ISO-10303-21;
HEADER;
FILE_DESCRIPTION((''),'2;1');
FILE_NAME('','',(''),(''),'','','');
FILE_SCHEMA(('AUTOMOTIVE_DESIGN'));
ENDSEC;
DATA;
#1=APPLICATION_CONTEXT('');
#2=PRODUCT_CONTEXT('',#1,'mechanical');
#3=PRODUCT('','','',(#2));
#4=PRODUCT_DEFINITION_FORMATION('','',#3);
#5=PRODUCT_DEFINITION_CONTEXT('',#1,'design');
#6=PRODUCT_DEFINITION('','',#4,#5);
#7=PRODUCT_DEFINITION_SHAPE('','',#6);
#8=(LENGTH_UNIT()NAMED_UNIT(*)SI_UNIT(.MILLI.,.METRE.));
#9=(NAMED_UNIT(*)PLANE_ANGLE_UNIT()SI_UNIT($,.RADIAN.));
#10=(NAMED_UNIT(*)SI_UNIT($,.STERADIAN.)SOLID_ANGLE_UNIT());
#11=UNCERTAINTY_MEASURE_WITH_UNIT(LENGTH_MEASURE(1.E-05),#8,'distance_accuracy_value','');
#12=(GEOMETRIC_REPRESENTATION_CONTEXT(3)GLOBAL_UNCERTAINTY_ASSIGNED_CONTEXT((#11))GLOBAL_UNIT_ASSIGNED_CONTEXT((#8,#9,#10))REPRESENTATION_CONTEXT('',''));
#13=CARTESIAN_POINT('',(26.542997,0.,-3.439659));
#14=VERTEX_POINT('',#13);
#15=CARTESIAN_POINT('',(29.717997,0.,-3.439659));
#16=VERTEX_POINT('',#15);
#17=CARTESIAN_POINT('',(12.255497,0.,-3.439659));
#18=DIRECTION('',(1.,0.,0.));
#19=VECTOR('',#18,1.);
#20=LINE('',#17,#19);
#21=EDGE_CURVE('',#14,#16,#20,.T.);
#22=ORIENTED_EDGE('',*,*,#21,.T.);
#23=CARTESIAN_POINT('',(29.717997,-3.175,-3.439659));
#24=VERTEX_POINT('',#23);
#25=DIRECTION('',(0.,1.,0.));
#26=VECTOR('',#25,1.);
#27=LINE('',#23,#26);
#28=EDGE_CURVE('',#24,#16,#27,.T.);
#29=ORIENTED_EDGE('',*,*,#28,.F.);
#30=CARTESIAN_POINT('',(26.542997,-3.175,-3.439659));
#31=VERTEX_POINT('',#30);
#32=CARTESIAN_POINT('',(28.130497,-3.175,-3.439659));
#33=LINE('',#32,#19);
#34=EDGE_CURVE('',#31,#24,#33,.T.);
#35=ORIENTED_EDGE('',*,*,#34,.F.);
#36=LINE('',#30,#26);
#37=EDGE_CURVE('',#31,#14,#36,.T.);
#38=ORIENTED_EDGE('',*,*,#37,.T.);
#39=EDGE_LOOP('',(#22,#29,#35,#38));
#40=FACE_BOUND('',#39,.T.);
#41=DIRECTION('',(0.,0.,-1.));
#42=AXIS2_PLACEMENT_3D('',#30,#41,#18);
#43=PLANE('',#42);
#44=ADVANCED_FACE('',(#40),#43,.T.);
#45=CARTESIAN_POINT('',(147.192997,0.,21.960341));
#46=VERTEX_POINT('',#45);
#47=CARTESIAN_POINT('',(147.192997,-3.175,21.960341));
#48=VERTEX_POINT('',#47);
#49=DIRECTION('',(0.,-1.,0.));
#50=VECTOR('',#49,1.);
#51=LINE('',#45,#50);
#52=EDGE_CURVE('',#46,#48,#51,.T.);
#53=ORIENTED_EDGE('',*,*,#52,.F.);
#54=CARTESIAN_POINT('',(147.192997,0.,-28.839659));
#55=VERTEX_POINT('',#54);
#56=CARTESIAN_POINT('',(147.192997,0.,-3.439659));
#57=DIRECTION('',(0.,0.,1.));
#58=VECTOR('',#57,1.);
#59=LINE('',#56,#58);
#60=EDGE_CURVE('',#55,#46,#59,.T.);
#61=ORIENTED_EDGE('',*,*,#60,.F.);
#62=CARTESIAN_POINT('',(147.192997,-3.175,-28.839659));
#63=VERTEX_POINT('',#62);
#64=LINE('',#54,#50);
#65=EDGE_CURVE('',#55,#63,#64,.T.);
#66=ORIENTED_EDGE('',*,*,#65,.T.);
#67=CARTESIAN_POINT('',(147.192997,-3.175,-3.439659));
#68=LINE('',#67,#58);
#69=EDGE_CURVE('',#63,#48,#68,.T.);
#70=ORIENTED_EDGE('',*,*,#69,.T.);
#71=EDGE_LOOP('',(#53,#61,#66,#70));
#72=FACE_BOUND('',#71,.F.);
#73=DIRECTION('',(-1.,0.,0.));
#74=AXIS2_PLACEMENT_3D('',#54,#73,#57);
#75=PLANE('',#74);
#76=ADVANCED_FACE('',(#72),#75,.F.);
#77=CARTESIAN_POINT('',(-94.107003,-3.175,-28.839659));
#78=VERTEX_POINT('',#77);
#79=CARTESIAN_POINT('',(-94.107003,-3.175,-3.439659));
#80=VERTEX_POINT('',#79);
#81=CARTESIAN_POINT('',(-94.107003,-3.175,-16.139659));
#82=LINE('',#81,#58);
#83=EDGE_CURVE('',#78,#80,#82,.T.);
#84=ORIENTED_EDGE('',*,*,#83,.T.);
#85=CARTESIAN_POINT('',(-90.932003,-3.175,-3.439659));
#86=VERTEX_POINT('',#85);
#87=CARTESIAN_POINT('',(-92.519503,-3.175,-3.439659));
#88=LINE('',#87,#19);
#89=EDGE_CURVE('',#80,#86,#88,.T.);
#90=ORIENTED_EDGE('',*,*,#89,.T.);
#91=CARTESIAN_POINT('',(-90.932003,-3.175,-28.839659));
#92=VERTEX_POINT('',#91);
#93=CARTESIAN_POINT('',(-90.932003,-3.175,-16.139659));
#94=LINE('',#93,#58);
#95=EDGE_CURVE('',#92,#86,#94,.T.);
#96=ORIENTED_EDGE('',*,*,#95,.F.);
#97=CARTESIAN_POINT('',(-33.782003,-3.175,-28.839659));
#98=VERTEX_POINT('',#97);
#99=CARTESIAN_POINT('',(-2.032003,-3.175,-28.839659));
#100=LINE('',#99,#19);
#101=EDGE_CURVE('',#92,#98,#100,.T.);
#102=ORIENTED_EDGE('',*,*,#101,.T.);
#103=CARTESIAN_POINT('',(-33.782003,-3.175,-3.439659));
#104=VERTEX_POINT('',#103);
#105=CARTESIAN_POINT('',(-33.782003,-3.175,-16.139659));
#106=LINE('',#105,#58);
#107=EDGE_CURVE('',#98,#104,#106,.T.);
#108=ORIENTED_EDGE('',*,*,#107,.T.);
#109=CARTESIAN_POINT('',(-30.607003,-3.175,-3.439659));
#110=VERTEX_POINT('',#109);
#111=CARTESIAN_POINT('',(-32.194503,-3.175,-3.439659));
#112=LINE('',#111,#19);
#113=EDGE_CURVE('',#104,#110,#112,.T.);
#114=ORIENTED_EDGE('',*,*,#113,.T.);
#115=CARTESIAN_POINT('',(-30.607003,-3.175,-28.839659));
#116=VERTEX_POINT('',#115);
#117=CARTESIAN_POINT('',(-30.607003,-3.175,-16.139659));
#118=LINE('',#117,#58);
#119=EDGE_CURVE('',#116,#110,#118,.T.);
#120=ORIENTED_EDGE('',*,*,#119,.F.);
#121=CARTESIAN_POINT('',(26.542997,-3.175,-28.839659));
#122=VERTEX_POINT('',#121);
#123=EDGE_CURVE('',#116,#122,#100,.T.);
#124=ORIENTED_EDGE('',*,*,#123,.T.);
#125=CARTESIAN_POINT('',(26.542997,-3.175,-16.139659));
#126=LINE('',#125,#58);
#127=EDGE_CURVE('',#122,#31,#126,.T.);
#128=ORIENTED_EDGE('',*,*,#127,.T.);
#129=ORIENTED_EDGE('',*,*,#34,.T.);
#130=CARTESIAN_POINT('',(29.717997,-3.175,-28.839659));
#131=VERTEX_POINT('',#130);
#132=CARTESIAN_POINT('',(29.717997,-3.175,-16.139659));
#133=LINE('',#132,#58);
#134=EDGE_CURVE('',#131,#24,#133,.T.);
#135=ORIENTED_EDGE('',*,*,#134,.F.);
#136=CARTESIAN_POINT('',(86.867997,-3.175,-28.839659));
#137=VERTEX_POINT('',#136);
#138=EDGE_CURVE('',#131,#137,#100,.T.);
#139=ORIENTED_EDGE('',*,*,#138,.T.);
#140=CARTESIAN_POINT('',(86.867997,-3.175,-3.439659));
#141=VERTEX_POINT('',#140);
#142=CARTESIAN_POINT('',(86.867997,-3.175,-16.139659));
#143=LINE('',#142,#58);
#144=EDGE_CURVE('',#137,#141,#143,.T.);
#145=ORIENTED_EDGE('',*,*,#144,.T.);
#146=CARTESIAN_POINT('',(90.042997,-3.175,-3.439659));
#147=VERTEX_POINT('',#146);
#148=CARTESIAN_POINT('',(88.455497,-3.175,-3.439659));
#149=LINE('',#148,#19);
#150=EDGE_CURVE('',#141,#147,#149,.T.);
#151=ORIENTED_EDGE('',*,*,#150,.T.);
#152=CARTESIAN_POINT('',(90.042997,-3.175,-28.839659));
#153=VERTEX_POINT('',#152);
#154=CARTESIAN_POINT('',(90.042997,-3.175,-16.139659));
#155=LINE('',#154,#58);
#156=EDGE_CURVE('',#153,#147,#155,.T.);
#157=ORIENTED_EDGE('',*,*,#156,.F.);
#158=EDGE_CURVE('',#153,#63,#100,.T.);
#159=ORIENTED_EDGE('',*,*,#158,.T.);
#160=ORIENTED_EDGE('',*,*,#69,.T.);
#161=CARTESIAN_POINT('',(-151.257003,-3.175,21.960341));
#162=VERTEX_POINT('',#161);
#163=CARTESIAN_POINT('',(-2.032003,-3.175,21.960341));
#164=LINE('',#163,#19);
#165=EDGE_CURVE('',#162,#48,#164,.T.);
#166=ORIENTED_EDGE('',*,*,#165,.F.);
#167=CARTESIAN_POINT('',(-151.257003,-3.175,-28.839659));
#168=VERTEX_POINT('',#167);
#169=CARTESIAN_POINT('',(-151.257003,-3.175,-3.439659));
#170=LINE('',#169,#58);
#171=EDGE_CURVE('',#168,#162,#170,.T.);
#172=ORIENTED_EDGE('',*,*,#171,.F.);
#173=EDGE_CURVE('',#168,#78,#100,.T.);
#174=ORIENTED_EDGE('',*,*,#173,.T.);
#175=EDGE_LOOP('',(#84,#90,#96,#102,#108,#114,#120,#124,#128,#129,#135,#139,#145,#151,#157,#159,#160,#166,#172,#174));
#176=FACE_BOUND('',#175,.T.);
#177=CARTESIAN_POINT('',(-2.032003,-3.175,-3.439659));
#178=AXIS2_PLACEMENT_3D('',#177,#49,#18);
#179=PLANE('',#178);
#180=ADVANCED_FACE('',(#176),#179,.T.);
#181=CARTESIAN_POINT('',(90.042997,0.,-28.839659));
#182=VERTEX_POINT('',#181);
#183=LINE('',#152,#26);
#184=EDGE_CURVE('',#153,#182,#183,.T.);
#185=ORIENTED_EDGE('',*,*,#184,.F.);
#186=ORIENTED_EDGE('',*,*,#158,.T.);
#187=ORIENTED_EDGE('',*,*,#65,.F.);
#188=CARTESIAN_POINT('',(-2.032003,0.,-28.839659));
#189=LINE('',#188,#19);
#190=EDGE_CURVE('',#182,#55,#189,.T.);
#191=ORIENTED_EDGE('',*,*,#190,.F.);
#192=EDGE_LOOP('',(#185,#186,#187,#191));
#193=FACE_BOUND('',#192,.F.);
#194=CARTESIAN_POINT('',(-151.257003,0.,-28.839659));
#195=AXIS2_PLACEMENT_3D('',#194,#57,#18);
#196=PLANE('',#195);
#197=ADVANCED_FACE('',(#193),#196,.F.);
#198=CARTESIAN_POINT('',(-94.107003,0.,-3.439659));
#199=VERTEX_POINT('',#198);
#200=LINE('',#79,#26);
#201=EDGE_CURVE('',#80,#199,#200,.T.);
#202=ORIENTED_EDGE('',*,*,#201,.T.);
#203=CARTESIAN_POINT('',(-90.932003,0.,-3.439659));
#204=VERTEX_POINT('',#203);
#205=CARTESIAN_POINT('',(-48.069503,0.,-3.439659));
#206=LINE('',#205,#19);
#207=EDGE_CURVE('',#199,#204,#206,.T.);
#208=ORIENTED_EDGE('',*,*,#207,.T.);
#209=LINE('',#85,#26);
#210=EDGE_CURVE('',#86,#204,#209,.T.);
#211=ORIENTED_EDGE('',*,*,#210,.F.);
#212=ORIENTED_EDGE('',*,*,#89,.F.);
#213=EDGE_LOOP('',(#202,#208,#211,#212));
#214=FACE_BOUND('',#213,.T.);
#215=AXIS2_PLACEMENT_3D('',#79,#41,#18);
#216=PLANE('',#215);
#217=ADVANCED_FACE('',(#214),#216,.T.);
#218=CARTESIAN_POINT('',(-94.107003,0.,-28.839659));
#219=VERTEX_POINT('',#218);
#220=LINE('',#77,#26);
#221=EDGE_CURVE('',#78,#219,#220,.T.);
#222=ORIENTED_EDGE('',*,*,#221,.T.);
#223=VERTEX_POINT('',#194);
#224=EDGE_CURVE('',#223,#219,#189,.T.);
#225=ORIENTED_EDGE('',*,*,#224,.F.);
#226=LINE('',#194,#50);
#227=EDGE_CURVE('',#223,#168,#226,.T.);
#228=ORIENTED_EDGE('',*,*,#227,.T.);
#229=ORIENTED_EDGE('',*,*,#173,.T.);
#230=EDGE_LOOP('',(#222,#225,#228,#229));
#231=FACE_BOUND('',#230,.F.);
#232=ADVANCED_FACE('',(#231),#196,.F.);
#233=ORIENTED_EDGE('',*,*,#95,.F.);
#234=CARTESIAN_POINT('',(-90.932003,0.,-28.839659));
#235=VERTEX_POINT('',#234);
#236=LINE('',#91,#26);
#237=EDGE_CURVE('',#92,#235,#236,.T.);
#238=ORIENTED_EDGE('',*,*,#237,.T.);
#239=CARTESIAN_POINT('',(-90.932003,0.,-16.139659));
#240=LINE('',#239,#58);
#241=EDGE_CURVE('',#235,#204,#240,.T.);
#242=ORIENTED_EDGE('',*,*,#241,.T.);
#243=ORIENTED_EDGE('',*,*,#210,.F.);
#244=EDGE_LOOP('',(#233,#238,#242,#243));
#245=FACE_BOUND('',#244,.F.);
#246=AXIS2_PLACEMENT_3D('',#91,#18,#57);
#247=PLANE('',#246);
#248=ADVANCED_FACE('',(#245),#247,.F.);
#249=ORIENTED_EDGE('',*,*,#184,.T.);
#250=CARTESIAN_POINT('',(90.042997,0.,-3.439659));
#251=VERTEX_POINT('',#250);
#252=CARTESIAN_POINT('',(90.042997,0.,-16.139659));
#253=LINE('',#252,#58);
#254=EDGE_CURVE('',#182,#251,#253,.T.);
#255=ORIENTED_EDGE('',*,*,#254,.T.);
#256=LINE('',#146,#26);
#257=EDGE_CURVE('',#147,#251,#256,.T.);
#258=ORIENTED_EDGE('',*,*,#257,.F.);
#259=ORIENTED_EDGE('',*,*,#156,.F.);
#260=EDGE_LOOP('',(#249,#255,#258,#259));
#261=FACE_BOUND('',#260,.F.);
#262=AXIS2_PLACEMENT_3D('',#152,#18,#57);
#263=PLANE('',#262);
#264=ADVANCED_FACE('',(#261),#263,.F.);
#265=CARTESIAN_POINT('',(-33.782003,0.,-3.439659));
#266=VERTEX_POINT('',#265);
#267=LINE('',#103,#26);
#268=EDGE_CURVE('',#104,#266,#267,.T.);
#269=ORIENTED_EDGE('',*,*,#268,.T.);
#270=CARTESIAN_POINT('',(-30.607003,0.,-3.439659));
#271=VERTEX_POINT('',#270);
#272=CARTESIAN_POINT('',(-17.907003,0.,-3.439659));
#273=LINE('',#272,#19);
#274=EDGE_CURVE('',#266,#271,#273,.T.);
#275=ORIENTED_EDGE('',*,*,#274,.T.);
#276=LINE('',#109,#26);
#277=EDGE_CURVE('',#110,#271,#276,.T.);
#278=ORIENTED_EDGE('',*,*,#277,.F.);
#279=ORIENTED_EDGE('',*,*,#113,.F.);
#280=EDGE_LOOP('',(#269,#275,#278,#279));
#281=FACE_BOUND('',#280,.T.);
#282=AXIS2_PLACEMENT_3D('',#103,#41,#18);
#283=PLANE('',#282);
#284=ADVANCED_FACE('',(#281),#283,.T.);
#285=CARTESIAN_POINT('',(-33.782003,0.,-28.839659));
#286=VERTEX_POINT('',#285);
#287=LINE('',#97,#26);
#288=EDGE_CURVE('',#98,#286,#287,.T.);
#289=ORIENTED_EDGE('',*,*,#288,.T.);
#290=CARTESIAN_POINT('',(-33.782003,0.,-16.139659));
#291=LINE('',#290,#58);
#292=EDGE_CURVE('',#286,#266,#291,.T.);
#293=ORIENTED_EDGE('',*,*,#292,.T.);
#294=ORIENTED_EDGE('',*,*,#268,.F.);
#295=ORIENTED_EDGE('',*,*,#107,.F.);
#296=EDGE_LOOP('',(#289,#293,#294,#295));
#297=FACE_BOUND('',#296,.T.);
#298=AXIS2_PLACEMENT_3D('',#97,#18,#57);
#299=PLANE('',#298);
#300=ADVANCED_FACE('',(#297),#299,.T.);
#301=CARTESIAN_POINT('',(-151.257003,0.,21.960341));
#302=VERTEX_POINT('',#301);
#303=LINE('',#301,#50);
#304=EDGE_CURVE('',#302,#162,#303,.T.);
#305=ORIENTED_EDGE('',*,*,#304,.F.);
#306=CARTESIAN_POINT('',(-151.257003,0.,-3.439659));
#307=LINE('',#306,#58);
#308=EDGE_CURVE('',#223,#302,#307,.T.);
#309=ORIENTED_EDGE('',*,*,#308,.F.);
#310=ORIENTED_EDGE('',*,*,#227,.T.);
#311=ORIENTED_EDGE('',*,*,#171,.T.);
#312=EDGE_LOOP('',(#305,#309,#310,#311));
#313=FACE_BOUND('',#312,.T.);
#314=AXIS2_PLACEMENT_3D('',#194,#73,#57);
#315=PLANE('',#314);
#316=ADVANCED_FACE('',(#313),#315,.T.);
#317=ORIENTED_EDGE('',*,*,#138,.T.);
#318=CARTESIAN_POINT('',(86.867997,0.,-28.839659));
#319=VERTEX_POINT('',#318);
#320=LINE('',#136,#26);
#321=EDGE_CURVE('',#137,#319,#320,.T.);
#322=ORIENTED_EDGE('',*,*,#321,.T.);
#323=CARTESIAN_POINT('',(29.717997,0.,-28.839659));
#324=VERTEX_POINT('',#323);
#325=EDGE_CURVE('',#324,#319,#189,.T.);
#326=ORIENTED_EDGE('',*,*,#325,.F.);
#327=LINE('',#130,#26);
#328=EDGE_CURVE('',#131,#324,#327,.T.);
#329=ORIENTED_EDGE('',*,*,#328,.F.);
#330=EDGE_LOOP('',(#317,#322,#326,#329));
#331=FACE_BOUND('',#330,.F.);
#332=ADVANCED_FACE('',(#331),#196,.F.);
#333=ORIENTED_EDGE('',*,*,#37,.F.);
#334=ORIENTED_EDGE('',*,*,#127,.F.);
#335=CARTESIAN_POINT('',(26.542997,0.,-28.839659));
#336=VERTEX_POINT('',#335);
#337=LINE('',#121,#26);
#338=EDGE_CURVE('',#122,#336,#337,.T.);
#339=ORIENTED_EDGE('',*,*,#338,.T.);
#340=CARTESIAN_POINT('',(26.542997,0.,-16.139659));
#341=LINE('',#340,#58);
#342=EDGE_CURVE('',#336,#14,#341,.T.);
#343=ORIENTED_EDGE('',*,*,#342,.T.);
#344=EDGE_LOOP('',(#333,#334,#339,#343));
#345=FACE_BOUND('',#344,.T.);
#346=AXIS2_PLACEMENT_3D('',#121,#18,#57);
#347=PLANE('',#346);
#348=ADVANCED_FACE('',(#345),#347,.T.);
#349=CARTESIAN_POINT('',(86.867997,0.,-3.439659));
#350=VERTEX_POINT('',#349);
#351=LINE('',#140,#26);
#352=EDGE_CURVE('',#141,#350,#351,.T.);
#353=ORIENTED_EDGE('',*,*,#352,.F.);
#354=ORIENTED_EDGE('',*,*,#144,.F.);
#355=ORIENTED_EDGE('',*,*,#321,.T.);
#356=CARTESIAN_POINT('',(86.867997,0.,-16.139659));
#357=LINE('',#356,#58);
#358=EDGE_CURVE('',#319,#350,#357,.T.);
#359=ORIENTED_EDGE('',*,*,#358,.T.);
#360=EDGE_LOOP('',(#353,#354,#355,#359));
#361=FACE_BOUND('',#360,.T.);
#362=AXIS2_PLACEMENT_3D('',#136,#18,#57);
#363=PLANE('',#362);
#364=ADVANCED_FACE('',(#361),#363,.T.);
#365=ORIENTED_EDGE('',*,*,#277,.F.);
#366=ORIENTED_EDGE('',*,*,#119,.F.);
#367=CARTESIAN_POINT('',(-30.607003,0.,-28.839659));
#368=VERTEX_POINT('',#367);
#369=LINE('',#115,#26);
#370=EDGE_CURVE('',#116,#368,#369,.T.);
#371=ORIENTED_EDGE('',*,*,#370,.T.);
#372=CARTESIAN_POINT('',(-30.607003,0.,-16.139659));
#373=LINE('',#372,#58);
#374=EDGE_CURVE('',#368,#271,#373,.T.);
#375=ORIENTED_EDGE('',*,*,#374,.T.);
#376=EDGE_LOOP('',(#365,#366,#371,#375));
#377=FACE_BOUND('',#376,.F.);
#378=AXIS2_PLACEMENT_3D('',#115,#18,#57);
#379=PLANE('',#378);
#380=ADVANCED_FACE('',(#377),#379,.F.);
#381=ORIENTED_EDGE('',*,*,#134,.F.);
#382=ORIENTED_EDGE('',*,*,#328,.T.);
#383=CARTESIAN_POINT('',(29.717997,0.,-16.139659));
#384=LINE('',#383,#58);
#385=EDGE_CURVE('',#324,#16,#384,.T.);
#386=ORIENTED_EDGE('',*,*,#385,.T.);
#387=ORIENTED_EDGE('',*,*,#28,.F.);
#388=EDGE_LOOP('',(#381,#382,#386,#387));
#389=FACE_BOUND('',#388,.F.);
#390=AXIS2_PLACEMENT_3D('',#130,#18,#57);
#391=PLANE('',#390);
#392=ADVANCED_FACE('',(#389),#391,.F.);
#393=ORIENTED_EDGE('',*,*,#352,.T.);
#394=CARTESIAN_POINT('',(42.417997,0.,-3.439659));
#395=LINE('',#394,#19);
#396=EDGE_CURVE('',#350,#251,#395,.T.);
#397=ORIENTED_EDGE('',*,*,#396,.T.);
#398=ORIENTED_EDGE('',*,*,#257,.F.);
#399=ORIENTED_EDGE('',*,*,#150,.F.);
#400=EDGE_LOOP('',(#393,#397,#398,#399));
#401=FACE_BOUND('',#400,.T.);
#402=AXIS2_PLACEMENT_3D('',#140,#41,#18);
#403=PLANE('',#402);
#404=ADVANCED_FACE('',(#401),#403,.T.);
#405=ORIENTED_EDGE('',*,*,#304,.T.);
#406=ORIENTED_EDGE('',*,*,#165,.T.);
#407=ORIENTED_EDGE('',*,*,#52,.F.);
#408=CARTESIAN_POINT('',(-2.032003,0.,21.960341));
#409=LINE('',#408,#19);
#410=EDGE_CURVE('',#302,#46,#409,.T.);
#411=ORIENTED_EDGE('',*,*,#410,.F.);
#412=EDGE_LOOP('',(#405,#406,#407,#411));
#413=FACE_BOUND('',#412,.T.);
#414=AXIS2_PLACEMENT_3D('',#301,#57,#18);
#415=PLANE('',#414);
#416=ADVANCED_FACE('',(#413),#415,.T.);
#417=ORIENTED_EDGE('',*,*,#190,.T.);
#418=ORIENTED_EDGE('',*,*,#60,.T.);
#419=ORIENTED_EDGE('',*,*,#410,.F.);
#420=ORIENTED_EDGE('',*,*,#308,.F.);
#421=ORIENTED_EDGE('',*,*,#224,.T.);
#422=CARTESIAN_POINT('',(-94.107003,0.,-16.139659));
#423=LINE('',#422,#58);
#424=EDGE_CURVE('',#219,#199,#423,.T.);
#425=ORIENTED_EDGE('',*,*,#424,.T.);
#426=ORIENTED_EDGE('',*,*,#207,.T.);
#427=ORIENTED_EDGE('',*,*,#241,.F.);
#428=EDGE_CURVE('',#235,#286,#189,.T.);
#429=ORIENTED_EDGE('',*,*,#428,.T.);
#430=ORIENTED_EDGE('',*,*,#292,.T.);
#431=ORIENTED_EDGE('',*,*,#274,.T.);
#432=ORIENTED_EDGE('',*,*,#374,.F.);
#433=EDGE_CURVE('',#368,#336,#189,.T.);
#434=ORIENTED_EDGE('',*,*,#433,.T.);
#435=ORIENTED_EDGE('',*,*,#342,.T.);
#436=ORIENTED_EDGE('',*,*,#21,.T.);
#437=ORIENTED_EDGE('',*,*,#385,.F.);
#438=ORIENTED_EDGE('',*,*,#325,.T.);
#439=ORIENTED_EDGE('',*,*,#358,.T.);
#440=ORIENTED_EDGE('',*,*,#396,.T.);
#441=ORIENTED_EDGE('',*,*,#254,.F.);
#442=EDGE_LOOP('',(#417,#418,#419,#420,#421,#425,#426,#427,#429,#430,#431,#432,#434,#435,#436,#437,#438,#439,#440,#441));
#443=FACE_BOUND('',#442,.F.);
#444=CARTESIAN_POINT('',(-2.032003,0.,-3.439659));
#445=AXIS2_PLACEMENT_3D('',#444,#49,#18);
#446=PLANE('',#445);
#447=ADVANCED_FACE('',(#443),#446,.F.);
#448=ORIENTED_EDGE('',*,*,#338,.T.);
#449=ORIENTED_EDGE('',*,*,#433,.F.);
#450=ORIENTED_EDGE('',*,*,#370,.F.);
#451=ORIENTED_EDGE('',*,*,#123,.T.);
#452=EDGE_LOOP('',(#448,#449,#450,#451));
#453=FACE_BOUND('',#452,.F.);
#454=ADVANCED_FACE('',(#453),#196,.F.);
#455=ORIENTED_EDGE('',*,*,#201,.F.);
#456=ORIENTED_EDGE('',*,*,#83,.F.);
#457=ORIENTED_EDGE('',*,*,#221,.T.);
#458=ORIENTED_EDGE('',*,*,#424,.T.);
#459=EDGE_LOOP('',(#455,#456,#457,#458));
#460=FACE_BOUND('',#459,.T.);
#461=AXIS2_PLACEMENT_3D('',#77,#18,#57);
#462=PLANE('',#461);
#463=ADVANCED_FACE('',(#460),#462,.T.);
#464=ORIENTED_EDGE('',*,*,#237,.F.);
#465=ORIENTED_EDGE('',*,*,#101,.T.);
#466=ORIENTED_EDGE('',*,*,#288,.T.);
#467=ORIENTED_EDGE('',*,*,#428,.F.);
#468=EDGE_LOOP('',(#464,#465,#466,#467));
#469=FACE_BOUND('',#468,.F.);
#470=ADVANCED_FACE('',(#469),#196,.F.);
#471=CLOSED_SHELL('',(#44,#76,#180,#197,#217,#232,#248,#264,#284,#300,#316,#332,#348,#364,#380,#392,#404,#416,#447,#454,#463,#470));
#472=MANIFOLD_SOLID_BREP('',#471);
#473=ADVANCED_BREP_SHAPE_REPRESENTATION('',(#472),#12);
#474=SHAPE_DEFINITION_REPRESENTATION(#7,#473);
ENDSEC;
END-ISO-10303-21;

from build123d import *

# Parameters (mm, degrees)
F0_W     = 298.45
F0_H     = 50.8
F1_DEPTH = 3.175
F2_W     = 3.175
F2_H     = 25.4
F3_DEPTH = 25.4


with BuildPart() as f1:
    # F0 (on Front) → F1 (new body)
    with BuildSketch(Plane.XZ):
        with Locations((-2.032003, -3.439659)):
            Rectangle(F0_W, F0_H)
    extrude(amount=F1_DEPTH)

    # F2 (on face) → F3 (cut)
    with BuildSketch(Plane.XZ.offset(3.175)):
        with Locations((-92.519503, -16.139659)):
            Rectangle(F2_W, F2_H)
        with Locations((-32.194503, -16.139659)):
            Rectangle(F2_W, F2_H)
        with Locations((28.130497, -16.139659)):
            Rectangle(F2_W, F2_H)
        with Locations((88.455497, -16.139659)):
            Rectangle(F2_W, F2_H)
    extrude(amount=-F3_DEPTH, mode=Mode.SUBTRACT)


solid = f1.part
